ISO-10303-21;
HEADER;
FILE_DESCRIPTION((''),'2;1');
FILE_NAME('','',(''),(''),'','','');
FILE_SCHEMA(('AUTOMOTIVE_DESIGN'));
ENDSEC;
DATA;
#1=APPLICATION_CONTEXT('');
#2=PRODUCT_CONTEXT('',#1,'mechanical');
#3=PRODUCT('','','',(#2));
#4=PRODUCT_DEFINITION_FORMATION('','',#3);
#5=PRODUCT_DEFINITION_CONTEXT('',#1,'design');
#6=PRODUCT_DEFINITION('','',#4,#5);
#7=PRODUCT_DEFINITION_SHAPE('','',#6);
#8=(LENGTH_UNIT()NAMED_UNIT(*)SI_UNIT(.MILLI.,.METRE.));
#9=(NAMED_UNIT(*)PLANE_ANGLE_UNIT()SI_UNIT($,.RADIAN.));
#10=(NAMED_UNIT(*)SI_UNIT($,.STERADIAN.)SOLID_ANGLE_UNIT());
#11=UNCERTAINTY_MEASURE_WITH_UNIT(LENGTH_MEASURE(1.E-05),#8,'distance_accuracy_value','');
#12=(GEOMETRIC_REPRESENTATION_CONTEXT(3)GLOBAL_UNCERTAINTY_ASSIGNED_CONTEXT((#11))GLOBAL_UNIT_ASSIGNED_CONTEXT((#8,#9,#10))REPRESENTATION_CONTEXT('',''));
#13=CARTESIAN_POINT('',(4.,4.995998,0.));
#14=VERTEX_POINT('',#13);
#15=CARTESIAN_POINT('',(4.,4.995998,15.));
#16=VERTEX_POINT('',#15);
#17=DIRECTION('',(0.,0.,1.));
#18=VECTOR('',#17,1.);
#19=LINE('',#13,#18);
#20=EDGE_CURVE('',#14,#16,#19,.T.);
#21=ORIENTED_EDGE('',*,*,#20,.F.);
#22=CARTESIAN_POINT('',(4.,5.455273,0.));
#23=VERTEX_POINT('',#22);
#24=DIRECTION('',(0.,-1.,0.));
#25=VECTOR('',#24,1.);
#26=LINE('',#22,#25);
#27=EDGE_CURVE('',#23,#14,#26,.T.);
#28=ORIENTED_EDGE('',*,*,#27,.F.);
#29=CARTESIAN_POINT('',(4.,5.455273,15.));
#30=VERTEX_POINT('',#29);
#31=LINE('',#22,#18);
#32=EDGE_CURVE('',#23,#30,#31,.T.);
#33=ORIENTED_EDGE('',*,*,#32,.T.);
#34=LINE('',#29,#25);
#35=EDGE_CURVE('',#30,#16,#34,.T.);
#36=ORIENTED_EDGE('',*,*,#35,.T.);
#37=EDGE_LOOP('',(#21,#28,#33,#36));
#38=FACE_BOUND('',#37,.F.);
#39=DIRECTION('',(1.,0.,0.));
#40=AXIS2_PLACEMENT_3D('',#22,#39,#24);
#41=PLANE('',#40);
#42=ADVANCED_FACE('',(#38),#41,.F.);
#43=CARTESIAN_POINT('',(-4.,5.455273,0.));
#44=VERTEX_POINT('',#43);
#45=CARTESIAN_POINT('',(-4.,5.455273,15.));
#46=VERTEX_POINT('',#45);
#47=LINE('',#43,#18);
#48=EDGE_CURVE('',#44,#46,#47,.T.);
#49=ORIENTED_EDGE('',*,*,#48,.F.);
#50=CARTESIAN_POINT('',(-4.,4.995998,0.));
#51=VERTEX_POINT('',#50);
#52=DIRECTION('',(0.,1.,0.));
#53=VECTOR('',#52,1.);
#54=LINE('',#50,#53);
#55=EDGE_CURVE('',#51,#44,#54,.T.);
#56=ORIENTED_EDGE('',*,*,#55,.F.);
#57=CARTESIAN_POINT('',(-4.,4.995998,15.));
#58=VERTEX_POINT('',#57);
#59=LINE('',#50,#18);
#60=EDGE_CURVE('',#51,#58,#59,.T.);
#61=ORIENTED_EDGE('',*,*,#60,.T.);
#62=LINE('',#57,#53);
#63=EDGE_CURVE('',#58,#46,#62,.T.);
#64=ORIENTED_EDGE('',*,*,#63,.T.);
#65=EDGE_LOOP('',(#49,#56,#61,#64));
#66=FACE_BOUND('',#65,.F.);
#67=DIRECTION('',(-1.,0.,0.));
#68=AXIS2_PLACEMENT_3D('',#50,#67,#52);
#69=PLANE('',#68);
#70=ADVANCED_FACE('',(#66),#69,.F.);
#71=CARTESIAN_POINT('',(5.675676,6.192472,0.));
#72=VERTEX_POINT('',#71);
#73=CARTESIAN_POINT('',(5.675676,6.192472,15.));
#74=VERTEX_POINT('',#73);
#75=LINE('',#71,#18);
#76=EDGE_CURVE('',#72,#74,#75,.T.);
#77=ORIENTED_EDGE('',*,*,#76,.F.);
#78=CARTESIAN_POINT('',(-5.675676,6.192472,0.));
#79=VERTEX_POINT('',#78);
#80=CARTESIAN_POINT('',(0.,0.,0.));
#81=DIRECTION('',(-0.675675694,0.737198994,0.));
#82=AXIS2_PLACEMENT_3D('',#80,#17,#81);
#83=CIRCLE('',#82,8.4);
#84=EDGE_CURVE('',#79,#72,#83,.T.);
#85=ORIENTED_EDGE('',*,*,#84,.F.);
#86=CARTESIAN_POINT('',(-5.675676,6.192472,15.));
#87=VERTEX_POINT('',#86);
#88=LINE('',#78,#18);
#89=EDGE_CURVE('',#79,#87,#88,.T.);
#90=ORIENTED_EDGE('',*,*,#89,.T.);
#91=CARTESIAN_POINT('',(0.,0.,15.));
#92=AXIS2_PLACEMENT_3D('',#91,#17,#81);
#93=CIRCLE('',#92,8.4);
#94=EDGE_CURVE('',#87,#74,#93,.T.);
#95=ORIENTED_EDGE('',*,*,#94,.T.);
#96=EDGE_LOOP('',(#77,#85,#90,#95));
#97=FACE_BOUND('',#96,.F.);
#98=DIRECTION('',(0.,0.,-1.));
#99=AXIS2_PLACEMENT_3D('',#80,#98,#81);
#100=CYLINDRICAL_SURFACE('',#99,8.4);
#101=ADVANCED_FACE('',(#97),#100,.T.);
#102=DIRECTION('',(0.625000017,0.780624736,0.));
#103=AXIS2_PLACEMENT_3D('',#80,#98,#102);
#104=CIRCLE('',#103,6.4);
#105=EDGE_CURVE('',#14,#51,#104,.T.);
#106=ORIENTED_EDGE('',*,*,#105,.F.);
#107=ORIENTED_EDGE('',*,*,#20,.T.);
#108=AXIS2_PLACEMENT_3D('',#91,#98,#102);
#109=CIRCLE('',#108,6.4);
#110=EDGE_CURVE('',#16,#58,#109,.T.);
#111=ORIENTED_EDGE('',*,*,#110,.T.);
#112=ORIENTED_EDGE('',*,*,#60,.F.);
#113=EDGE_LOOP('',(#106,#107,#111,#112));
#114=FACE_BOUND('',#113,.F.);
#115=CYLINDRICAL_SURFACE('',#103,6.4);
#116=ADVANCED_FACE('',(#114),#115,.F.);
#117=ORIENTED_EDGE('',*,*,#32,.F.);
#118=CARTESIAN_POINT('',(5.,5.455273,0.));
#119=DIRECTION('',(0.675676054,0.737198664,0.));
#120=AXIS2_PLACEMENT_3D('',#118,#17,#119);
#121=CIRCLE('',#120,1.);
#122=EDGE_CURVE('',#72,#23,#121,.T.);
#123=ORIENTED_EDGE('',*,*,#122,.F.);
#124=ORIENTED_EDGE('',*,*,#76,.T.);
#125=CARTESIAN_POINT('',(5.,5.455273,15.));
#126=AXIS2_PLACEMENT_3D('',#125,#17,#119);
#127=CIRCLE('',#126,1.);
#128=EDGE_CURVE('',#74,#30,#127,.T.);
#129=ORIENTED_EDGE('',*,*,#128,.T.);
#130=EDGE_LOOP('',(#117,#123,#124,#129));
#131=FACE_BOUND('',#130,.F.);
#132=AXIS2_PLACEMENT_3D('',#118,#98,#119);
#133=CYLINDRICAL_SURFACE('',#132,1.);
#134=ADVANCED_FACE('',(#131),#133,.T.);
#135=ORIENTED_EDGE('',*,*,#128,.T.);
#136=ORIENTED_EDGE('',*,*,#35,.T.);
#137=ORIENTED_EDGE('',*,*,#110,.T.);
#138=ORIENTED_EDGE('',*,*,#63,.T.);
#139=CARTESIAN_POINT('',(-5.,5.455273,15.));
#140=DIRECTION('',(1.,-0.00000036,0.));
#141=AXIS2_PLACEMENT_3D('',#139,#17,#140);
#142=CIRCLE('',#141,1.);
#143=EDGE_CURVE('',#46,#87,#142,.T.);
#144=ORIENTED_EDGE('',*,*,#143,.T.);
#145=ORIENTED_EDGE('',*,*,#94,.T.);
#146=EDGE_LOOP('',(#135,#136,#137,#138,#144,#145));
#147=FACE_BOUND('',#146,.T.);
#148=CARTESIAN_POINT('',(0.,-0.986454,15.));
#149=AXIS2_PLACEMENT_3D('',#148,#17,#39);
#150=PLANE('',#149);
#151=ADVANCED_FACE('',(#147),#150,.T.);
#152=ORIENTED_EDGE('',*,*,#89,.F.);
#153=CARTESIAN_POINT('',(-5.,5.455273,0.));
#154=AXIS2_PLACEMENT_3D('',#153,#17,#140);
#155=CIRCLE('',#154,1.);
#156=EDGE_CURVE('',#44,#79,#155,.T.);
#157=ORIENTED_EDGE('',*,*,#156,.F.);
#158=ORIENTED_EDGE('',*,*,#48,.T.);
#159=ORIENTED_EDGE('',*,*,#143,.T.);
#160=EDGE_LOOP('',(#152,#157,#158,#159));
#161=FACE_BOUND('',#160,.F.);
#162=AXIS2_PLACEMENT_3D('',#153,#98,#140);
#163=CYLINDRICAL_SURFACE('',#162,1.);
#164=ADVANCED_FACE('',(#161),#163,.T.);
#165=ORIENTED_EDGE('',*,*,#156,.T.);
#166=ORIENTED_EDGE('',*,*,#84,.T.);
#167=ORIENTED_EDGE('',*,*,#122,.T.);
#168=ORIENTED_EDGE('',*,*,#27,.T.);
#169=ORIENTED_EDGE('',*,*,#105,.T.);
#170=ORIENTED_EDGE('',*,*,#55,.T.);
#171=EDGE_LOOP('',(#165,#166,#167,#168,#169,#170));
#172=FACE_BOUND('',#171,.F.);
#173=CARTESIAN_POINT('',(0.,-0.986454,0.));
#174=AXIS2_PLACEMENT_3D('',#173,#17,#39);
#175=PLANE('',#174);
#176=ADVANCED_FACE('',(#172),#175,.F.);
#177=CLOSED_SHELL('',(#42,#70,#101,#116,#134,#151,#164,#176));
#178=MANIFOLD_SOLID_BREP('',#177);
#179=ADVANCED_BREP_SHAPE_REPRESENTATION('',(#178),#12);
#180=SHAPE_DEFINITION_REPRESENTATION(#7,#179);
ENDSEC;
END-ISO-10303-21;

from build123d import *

# Parameters (mm, degrees)
F1_DEPTH = 15


with BuildPart() as f1:
    # F0 (on Top) → F1 (new body)
    with BuildSketch(Plane.XY):
        with BuildLine():
            Line((4, 5.455273), (4, 4.995998))
            ThreePointArc((4, 4.995998), (0, -6.4), (-4, 4.995998))
            Line((-4, 4.995998), (-4, 5.455273))
            ThreePointArc((-4, 5.455273), (-4.597306, 6.370608), (-5.675676, 6.192472))
            ThreePointArc((-5.675676, 6.192472), (0, -8.4), (5.675676, 6.192472))
            ThreePointArc((5.675676, 6.192472), (4.597306, 6.370608), (4, 5.455273))
        make_face()
    extrude(amount=F1_DEPTH)


solid = f1.part
